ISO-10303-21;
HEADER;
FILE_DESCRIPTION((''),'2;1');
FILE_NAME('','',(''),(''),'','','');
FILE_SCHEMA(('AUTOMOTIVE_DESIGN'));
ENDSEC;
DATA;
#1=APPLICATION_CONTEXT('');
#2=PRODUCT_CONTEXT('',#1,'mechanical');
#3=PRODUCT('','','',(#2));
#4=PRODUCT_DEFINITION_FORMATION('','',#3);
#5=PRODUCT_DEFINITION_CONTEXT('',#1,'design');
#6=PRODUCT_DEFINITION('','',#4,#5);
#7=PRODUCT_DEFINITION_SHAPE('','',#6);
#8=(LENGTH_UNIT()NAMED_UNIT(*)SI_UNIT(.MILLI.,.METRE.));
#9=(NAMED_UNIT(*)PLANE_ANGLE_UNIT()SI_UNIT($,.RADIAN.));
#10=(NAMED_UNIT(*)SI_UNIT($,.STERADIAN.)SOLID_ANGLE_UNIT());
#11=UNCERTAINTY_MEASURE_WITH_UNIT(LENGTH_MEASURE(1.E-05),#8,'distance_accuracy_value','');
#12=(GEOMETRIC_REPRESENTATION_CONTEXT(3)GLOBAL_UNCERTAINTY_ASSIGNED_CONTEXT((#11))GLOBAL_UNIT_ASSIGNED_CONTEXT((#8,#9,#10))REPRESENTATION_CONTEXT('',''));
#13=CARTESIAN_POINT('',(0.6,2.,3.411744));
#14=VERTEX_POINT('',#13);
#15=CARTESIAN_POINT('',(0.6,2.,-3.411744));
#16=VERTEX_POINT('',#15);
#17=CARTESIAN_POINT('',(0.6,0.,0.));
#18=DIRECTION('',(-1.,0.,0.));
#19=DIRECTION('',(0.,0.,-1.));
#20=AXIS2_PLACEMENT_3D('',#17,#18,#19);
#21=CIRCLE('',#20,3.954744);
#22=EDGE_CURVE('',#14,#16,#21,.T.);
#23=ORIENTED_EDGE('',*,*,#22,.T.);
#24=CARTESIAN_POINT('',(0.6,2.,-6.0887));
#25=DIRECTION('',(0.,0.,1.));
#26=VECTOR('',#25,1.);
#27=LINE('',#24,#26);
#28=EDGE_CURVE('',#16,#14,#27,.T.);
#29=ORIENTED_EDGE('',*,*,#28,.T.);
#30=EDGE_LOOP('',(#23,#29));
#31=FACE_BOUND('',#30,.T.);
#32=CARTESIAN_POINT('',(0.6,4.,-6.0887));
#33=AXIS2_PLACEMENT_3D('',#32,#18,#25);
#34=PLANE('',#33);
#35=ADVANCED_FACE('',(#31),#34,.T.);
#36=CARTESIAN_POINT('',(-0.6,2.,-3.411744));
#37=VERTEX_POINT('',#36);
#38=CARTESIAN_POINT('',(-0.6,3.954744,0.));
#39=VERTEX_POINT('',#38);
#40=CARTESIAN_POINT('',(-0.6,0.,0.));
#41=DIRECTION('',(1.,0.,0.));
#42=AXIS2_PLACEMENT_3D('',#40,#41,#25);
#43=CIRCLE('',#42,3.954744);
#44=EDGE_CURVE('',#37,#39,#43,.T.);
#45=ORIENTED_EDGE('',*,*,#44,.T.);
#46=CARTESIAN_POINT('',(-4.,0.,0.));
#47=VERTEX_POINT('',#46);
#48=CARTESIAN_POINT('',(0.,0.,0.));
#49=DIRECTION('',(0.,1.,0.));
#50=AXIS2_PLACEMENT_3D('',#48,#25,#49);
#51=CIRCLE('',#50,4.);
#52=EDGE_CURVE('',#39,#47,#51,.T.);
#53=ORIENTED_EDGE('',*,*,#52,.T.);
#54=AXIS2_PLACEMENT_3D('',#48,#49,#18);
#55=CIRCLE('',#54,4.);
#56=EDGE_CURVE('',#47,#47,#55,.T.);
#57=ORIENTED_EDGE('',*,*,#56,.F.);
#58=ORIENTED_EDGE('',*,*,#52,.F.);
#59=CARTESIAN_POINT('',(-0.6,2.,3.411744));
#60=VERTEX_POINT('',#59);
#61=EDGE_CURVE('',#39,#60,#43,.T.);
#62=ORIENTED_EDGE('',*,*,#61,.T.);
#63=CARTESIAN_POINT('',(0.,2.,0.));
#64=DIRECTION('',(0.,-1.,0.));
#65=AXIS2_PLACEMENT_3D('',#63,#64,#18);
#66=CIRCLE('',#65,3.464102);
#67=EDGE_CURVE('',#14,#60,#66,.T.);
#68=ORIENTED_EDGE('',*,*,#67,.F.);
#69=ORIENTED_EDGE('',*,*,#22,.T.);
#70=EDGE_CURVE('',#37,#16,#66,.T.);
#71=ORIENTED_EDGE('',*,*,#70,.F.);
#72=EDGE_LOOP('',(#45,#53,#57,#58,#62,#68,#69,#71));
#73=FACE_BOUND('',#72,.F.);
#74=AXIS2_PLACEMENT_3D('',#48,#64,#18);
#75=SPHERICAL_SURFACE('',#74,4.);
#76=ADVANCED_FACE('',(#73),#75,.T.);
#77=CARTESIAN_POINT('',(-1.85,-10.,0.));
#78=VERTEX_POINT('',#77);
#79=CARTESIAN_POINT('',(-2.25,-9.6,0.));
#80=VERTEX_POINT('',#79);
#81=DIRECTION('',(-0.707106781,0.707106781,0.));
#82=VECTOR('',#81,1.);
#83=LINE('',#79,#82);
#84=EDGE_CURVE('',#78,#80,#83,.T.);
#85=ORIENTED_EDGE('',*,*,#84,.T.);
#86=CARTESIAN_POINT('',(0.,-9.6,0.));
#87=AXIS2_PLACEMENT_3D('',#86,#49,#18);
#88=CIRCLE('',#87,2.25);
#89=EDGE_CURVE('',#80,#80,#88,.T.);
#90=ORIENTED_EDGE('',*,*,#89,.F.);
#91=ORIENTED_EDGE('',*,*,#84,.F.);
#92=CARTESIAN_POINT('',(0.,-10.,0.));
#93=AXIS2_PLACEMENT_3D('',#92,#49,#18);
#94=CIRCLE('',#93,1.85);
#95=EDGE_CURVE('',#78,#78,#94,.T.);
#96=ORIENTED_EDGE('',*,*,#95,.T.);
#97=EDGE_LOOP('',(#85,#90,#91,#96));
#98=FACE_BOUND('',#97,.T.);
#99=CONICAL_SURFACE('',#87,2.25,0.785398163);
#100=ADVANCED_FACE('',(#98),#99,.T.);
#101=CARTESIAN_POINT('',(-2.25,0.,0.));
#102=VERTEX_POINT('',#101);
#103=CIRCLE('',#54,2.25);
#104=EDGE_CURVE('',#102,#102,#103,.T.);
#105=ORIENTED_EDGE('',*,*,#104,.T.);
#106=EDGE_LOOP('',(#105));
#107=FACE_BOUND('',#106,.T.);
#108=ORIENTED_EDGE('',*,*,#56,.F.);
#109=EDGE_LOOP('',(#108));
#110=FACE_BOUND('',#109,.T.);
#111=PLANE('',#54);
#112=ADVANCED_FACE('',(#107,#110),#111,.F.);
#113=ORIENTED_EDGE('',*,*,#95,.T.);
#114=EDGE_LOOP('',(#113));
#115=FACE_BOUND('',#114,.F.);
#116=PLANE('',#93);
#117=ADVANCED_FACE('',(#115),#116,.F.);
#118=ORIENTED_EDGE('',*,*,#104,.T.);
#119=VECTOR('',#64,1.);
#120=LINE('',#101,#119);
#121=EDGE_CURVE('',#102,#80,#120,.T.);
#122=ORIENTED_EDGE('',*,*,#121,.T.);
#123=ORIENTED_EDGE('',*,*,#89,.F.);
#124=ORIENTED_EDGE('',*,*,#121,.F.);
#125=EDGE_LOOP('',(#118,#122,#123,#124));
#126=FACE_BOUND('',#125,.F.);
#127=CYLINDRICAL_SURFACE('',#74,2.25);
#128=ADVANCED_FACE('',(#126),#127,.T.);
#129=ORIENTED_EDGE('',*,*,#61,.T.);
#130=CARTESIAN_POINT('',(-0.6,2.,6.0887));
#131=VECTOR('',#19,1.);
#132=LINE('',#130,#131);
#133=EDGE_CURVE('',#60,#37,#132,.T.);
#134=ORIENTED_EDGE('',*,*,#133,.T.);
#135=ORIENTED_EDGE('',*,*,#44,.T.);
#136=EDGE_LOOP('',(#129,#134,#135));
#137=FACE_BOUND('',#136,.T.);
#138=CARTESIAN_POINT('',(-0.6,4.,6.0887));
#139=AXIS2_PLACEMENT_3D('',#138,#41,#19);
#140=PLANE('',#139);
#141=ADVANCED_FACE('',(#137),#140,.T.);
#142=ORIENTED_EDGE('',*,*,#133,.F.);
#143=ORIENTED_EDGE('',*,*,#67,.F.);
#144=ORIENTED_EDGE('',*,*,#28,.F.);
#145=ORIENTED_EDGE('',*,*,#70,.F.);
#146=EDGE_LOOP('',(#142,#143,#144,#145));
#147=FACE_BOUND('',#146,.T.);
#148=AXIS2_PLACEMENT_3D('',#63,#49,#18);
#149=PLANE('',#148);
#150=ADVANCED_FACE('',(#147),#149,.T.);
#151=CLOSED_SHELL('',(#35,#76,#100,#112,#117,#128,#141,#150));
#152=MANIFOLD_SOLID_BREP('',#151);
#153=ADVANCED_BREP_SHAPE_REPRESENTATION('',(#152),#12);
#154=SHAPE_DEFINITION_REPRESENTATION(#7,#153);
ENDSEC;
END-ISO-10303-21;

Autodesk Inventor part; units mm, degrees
ref_plane "YZ Plane" through (0, 0, 0) normal (1, 0, 0) x (0, 1, 0)
ref_plane "XY Plane" through (0, 0, 0) normal (0, 0, 1) x (1, 0, 0)
sketch "Esboço1" plane through (0, 0, 0) normal (0, 0, 1) x (1, 0, 0)
  line L0 (-2.25, 0) -> (-2.25, -10)
  line L1 (-2.25, -10) -> (0, -10)
  line L2 (0, -10) -> (0, 0)
  line L3 (0, 0) -> (0, 4)
  line L4 (-2.25, 0) -> (-4, 0)
  arc A0 (0, 4) -> (-4, 0) centre (0, 0) ccw
  dimension "d1" = 2.25
  dimension "d2" = 10
revolve "Revolução1" add sketch "Esboço1" angle 360 about axis through (0, -10, 0) along (0, 1, 0)
thread "Rosca1" size "M4.5x0.5" class "6g" standard "ANSI Metric M Profile" length 7
chamfer "Chanfro1" distance 0.4 angle 45 1 edges at (2.25, -10, 0)
ref_plane "Plano de trabalho1" through (0, 4, 0) normal (0, 1, 0) x (-1, 0, 0)
sketch "Esboço2" plane through (0, 4, 0) normal (0, 1, 0) x (-1, 0, 0)
  line L0 (0.6, -6.0887) -> (-0.6, -6.0887)
  line L1 (-0.6, -6.0887) -> (-0.6, 6.0887)
  line L2 (-0.6, 6.0887) -> (0.6, 6.0887)
  line L3 (0.6, 6.0887) -> (0.6, -6.0887)
  line L4 (0.6, -6.0887) -> (-0.6, 6.0887) construction
  line L5 (-0.6, -6.0887) -> (0.6, 6.0887) construction
  point P0 (0, 0)
  dimension "d10" = 1.2
extrude "Extrusão1" cut sketch "Esboço2" against normal blind 2
properties part number "Parafuso"
